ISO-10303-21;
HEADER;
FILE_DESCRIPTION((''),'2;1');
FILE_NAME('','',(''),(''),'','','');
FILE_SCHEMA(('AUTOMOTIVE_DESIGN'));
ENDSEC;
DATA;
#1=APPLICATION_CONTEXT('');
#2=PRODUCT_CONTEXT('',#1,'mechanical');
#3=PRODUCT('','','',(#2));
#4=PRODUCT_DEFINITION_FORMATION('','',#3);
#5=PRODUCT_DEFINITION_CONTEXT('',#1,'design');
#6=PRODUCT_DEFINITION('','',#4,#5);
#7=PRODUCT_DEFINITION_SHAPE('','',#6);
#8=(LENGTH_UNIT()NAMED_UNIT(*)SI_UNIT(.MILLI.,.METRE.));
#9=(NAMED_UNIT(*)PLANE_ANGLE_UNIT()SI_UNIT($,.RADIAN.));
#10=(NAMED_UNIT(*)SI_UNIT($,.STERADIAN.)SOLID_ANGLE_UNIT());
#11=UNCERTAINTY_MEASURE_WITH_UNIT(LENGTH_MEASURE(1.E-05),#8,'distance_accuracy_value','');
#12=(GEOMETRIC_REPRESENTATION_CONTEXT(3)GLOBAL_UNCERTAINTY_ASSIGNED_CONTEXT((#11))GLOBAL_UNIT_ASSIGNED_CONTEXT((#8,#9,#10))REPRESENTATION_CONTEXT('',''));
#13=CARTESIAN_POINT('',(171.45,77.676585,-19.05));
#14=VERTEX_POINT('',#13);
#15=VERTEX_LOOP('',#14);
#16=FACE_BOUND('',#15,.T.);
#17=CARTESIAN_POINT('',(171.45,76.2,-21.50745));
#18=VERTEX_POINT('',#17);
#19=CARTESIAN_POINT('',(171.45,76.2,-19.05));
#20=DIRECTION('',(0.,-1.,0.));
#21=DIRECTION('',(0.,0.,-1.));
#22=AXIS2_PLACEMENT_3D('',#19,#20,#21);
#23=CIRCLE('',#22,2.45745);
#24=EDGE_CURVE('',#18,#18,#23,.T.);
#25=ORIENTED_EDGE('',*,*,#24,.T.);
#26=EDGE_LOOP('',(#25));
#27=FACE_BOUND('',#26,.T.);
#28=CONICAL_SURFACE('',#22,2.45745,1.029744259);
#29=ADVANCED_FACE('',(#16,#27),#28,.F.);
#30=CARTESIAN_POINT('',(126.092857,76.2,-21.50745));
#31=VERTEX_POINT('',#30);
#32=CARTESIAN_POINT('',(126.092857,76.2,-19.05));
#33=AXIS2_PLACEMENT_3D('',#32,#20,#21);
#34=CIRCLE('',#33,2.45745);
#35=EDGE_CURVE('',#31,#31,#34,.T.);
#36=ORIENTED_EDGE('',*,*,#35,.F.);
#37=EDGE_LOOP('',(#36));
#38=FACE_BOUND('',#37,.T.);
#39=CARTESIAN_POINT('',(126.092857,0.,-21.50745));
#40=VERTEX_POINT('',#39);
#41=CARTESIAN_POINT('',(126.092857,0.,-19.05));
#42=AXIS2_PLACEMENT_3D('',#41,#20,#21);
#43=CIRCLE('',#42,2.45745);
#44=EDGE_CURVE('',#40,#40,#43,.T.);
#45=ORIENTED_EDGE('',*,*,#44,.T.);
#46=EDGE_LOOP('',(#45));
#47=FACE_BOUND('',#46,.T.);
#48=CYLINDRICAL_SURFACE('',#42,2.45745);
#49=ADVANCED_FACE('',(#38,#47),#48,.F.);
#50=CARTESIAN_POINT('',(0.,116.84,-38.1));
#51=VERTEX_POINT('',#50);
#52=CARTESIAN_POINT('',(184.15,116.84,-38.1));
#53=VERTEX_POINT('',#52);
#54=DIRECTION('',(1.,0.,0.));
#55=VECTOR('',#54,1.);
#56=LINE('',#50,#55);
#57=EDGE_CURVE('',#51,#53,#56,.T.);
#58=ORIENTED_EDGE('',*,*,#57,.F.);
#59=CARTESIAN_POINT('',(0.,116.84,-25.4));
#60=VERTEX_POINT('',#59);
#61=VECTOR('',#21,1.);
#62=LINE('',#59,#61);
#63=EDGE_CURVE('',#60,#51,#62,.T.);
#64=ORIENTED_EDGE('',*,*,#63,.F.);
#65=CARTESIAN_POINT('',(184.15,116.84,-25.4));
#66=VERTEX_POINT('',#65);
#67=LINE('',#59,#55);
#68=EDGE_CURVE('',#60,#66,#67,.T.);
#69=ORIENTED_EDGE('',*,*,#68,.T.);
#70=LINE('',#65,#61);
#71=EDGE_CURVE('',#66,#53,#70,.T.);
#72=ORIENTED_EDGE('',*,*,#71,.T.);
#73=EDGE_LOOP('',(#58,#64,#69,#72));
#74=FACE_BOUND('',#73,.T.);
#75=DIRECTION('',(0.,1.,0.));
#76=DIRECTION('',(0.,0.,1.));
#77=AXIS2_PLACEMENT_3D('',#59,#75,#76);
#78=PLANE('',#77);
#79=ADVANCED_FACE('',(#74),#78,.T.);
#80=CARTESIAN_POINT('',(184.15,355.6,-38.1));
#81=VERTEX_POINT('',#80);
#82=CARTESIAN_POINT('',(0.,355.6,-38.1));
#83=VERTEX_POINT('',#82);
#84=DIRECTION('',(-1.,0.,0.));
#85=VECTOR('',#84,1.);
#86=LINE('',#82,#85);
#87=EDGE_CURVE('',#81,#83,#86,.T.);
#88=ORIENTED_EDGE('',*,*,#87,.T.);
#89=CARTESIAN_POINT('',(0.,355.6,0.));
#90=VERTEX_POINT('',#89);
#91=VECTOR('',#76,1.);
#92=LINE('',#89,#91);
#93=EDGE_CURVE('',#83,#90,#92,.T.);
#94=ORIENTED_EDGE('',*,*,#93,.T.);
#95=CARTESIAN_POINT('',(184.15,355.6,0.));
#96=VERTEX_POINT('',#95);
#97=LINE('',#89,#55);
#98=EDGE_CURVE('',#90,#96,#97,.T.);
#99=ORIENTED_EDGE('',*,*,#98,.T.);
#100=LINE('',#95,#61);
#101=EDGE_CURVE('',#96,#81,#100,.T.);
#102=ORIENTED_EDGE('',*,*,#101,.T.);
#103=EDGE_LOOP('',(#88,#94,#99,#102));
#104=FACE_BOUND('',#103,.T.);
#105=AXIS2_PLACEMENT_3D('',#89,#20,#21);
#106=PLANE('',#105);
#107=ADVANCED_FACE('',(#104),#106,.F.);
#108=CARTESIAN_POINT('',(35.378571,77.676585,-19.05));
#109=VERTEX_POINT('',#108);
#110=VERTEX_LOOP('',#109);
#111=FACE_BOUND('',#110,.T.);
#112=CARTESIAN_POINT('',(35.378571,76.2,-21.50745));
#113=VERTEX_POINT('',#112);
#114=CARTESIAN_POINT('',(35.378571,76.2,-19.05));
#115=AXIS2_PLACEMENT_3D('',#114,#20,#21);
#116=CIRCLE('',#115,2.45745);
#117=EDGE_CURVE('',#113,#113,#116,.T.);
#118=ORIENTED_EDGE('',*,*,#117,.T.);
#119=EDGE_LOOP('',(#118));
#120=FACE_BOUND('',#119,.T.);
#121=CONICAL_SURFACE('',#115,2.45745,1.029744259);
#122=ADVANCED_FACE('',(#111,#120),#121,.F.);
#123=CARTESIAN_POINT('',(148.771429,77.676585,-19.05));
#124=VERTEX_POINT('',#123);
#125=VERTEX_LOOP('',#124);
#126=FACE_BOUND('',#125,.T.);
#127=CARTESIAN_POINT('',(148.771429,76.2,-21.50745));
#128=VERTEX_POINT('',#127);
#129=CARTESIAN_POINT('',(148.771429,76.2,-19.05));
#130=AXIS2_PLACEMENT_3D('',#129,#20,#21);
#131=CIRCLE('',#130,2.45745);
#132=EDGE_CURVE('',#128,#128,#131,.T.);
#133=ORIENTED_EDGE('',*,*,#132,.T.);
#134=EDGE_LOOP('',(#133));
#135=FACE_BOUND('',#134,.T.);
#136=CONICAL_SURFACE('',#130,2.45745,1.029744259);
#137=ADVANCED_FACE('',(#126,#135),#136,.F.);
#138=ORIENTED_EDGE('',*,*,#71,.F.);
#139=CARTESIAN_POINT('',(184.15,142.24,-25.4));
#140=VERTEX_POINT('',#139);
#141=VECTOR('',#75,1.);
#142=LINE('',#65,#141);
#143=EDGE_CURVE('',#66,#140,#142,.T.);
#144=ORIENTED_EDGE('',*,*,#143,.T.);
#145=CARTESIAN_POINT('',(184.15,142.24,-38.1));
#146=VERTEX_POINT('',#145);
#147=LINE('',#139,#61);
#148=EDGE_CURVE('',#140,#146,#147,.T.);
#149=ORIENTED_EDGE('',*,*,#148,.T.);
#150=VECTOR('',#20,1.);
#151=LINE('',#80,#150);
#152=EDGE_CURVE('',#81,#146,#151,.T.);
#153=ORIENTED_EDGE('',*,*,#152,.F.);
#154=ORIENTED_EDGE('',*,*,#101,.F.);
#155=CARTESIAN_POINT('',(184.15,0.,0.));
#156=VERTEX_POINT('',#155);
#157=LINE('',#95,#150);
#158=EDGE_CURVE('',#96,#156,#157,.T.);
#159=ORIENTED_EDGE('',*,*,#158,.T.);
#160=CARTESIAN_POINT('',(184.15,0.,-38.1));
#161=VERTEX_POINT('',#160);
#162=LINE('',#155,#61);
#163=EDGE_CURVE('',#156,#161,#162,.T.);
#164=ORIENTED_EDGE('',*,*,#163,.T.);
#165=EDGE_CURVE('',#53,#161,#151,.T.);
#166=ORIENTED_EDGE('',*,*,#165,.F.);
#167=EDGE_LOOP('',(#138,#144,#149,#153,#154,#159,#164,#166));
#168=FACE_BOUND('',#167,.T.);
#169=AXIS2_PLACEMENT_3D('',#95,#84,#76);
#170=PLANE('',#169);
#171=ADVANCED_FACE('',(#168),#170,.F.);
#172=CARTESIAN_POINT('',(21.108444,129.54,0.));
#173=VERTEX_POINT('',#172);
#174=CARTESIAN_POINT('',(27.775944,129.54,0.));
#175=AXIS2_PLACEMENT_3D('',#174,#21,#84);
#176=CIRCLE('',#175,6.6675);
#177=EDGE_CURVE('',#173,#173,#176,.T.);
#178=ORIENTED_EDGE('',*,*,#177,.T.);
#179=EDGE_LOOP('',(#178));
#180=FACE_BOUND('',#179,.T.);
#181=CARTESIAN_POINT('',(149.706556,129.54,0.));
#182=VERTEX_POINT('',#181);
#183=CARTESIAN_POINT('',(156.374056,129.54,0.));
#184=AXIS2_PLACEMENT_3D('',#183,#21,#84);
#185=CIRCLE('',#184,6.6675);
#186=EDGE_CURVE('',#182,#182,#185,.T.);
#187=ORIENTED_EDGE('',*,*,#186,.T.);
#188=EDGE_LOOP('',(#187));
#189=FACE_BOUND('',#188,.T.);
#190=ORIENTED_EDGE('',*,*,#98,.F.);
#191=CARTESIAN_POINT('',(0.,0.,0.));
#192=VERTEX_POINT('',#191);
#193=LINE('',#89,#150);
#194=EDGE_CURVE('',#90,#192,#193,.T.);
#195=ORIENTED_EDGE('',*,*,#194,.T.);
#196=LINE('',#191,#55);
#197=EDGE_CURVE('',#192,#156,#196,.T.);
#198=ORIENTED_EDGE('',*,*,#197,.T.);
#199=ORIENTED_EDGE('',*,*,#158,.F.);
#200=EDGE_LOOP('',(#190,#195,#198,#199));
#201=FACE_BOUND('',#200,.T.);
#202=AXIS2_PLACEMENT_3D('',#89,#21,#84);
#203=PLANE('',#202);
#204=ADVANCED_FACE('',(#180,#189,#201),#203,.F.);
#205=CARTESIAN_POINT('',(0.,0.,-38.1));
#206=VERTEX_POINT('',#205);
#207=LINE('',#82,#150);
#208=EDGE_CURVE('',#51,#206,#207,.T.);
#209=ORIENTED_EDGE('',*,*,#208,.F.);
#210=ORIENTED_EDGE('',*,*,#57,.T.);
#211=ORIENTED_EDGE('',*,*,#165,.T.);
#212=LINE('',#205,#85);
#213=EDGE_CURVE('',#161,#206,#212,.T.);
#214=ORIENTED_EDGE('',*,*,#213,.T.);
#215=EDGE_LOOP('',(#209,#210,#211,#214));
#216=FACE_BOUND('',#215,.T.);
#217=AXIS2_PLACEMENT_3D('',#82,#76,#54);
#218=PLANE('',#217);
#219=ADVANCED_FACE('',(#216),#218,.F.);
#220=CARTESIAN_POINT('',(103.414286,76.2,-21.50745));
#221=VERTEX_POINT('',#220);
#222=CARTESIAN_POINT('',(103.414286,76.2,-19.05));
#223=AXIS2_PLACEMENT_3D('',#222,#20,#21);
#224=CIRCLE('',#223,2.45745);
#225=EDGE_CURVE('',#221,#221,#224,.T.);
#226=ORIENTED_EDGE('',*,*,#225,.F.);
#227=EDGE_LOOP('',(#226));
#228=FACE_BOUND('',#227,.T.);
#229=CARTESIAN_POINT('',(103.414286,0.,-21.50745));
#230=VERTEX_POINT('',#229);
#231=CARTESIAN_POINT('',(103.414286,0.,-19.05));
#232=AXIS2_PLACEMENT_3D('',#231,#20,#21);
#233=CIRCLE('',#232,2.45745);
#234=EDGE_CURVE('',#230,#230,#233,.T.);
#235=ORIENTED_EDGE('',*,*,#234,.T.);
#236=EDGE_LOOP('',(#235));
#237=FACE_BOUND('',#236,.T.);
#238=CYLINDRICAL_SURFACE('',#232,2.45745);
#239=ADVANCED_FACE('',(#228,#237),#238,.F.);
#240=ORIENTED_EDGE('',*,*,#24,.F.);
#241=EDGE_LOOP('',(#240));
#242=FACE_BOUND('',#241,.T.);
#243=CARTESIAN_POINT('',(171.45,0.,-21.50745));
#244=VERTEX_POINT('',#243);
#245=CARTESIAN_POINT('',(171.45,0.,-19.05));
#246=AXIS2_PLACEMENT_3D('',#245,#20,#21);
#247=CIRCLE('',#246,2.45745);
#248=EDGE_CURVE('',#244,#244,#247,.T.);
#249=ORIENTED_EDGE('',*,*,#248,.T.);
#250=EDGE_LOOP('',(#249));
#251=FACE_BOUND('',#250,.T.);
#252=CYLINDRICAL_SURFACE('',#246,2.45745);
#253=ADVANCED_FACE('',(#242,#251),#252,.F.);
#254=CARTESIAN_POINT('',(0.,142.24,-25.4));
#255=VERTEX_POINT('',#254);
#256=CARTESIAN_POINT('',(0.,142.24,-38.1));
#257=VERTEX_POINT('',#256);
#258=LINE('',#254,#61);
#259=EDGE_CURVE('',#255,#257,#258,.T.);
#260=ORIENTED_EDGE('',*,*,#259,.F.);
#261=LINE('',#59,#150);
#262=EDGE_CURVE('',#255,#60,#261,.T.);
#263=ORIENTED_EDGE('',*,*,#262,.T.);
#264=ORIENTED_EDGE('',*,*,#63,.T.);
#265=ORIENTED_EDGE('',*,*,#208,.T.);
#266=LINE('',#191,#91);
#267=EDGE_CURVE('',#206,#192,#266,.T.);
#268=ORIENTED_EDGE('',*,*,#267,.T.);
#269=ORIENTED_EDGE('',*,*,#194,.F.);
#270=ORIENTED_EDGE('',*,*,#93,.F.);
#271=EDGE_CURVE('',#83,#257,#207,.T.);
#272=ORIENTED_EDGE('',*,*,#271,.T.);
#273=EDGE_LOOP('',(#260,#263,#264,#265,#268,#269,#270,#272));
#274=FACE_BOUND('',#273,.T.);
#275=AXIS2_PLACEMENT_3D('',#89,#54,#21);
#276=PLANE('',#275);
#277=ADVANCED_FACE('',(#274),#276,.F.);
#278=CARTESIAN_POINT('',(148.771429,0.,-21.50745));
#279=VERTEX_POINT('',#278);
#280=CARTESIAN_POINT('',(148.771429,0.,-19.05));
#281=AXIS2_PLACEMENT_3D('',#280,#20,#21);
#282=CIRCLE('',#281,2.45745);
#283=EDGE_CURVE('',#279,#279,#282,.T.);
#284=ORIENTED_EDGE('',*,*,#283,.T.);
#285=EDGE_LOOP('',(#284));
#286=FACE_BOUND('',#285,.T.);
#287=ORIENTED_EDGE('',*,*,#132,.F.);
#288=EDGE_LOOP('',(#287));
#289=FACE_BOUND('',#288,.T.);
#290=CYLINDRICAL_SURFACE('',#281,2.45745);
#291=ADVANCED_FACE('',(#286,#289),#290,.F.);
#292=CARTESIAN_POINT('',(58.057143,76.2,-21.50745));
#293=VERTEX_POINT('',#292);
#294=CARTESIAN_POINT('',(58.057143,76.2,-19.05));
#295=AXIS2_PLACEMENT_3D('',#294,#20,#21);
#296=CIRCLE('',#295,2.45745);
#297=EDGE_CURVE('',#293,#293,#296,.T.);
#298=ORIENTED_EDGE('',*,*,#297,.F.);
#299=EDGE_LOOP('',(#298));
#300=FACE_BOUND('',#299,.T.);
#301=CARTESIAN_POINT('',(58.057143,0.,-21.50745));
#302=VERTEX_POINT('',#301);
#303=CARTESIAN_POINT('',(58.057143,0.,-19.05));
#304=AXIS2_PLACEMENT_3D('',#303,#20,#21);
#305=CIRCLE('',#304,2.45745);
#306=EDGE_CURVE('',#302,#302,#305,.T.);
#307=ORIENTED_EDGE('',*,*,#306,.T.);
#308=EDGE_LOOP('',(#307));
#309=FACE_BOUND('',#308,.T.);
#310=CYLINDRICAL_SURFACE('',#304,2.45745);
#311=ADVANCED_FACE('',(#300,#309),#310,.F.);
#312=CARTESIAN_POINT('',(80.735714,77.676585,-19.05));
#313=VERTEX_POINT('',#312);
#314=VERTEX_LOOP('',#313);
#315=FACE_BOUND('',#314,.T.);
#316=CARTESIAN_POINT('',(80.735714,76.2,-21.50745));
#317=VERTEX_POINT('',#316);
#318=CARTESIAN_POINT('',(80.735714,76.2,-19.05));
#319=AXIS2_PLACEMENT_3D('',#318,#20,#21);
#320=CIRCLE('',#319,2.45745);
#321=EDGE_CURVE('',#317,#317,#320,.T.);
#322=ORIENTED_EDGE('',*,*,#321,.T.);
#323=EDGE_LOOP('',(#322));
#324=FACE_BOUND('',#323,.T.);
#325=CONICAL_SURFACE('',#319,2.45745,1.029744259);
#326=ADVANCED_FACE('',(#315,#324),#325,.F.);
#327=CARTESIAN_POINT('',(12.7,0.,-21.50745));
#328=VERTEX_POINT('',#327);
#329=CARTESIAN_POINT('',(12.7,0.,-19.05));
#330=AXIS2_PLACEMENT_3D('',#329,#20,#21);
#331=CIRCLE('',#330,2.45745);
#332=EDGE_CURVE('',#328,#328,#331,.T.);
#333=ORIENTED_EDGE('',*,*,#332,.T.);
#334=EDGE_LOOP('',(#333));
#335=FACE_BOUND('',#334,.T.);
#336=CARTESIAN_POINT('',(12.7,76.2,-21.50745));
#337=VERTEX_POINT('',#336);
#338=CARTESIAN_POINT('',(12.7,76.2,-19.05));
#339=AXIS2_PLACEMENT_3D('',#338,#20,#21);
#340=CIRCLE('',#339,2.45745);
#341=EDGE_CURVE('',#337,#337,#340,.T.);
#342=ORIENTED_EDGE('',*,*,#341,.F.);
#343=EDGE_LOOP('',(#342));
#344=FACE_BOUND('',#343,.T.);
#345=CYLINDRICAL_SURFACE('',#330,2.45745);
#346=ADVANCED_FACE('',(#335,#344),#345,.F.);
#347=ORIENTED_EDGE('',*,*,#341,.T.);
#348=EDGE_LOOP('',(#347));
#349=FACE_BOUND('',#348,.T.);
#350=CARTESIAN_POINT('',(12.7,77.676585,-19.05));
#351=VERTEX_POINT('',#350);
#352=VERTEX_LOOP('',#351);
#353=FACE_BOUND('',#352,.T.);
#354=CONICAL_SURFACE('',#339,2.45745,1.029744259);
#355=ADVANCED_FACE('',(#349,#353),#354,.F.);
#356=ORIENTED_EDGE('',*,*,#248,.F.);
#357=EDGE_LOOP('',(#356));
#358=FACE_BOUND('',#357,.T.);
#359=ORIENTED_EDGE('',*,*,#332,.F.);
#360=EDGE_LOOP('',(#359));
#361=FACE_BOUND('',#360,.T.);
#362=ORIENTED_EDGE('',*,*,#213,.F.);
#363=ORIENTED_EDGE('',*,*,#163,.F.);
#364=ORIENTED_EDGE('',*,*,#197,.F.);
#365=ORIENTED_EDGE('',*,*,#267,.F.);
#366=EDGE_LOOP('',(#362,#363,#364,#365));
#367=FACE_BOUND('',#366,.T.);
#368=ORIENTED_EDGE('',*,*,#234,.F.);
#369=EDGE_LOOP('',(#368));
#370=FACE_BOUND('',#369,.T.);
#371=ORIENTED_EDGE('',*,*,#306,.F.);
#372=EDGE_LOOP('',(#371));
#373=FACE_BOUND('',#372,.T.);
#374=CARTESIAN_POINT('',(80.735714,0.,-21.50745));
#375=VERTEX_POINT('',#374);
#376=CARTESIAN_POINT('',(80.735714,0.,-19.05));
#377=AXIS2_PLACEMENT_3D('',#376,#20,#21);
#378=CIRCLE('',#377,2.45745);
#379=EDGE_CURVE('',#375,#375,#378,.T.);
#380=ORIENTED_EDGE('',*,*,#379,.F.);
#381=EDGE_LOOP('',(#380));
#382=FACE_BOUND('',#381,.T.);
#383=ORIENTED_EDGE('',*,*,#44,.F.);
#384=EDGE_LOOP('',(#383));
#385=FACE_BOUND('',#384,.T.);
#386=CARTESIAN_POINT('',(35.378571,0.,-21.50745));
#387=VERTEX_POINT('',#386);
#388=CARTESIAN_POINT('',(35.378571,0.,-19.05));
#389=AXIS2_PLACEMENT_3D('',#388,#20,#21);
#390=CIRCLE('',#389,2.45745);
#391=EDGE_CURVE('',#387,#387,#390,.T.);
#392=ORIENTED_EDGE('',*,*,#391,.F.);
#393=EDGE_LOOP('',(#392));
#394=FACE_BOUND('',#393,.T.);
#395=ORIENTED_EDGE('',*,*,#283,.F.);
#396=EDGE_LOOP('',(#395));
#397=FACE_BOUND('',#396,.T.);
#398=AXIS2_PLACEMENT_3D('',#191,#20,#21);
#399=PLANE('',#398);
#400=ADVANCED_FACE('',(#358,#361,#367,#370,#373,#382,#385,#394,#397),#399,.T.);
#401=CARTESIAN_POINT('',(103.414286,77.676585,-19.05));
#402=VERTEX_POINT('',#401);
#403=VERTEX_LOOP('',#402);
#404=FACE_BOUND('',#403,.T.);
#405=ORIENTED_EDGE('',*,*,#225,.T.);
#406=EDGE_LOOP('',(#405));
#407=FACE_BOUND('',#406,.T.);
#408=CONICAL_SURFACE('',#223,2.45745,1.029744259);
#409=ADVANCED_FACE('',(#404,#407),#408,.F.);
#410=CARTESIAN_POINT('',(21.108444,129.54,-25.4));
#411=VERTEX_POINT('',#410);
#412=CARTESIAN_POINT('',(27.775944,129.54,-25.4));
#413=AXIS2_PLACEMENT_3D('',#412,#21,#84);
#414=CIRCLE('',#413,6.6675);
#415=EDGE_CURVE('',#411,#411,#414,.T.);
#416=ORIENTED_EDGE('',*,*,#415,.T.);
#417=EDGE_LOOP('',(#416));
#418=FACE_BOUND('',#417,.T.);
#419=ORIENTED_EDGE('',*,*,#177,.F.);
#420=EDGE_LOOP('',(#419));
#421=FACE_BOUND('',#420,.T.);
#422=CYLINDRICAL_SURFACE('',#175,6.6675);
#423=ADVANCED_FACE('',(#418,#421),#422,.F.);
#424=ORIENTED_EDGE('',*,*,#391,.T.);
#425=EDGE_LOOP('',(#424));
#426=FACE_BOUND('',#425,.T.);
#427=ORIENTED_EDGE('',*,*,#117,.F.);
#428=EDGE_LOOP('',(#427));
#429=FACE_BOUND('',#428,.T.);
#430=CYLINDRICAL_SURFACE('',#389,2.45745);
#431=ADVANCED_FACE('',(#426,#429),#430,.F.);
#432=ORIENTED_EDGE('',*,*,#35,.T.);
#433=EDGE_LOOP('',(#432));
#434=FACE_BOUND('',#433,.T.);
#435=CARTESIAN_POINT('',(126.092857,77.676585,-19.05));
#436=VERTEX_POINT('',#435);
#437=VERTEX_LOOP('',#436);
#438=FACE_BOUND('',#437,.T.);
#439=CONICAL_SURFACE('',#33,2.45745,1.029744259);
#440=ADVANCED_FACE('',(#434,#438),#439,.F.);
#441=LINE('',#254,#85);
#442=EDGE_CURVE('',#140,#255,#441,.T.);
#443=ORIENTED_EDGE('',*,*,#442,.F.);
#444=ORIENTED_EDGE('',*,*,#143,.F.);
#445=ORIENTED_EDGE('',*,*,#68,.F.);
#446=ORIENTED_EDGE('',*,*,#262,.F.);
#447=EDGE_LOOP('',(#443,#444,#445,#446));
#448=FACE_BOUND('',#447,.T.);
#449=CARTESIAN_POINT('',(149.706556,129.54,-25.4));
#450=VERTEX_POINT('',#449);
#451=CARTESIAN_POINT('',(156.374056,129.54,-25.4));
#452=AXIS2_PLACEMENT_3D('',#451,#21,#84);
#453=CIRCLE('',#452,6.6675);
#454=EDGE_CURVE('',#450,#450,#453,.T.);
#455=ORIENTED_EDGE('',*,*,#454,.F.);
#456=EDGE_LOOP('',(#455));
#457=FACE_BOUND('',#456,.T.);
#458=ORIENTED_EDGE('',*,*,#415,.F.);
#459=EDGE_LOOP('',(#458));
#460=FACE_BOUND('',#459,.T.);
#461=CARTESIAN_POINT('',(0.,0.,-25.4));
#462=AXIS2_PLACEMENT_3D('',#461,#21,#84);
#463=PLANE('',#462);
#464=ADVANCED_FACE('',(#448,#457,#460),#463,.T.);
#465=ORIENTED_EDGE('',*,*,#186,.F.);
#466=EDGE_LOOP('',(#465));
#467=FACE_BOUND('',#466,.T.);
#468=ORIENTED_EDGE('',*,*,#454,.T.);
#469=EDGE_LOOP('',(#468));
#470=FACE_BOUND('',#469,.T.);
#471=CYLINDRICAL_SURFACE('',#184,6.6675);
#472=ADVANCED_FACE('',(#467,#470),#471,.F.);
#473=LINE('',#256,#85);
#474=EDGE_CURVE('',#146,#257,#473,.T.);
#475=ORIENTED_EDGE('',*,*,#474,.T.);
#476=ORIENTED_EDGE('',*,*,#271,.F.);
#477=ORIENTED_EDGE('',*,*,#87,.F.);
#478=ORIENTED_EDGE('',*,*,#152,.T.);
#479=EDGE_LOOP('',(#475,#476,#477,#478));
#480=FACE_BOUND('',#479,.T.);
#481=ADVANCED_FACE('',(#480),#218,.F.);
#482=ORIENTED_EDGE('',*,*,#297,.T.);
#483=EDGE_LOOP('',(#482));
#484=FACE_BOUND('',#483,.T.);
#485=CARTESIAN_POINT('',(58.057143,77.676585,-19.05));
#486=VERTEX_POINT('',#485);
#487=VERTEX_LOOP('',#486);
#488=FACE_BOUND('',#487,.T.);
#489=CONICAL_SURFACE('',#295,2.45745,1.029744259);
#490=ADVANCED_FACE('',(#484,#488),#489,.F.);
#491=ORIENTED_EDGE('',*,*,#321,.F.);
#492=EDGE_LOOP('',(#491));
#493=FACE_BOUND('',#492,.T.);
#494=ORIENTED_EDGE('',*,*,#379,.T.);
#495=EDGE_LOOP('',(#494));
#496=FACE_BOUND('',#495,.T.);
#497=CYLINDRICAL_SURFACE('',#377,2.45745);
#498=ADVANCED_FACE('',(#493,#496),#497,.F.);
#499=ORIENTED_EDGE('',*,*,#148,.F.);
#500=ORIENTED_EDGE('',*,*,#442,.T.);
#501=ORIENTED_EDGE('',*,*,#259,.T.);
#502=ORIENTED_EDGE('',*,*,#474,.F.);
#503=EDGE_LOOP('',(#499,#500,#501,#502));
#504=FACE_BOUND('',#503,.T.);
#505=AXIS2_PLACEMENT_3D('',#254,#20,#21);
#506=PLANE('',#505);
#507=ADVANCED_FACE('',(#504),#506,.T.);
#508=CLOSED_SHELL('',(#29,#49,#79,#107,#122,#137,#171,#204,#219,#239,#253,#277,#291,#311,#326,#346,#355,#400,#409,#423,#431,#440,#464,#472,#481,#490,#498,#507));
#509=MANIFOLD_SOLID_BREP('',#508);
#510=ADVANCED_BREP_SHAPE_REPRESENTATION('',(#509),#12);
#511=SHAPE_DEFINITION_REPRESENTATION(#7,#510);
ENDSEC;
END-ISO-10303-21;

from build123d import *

# Parameters (mm, degrees)
SKETCH1_W                        = 184.15
SKETCH1_H                        = 38.1
BOSS_EXTRUDE1_DEPTH              = 355.6
SKETCH2_W                        = 184.15
SKETCH2_H                        = 25.4
CUT_EXTRUDE1_DEPTH               = 12.7
SKETCH3_R                        = 6.6675
CUT_EXTRUDE2_DEPTH               = 13.7
CUT_EXTRUDE2_DEPTH_BACK          = 26.4
F_10_0_1935_DIAMETER_HOLE1_D     = 4.9149
F_10_0_1935_DIAMETER_HOLE1_DEPTH = 76.2
F_10_0_1935_DIAMETER_HOLE1_TIP   = 1.476584928


with BuildPart() as part:
    # Sketch1 → Boss-Extrude1 (new body)
    with BuildSketch(Plane(origin=(0, 0, 0), x_dir=(1, 0, 0), z_dir=(0, 1, 0))):
        with Locations((92.075, 19.05)):
            Rectangle(SKETCH1_W, SKETCH1_H)
    extrude(amount=BOSS_EXTRUDE1_DEPTH)

    # Sketch2 → Cut-Extrude1 (cut)
    with BuildSketch(Plane.XY.offset(-38.1)):
        with Locations((92.075, 129.54)):
            Rectangle(SKETCH2_W, SKETCH2_H)
    extrude(amount=CUT_EXTRUDE1_DEPTH, mode=Mode.SUBTRACT)

    # Sketch3 → Cut-Extrude2 (cut, two sides)
    with BuildSketch(Plane(origin=(0, 0, -25.4), x_dir=(-1, 0, 0), z_dir=(0, 0, -1))) as cut_extrude2_sk:
        with Locations((-156.37405606, 129.54)):
            Circle(SKETCH3_R)
        with Locations((-27.77594394, 129.54)):
            Circle(SKETCH3_R)
    extrude(amount=CUT_EXTRUDE2_DEPTH, mode=Mode.SUBTRACT)
    extrude(cut_extrude2_sk.sketch, amount=-CUT_EXTRUDE2_DEPTH_BACK, mode=Mode.SUBTRACT)

    # #10 (0.1935) Diameter Hole1
    with Locations(Plane(origin=(12.7, 0, -19.05), x_dir=(0, 0, -1), z_dir=(0, -1, 0))):
        with Locations((0, 0), (0, 22.678571429), (0, 45.357142857), (0, 68.035714286), (0, 90.714285714), (0, 113.392857143), (0, 136.071428571), (0, 158.75)):
            Hole(F_10_0_1935_DIAMETER_HOLE1_D / 2, depth=F_10_0_1935_DIAMETER_HOLE1_DEPTH)
            with Locations((0, 0, -(F_10_0_1935_DIAMETER_HOLE1_DEPTH + F_10_0_1935_DIAMETER_HOLE1_TIP / 2))):  # 118° drill point
                Cone(0, F_10_0_1935_DIAMETER_HOLE1_D / 2, F_10_0_1935_DIAMETER_HOLE1_TIP, mode=Mode.SUBTRACT)


solid = part.part
